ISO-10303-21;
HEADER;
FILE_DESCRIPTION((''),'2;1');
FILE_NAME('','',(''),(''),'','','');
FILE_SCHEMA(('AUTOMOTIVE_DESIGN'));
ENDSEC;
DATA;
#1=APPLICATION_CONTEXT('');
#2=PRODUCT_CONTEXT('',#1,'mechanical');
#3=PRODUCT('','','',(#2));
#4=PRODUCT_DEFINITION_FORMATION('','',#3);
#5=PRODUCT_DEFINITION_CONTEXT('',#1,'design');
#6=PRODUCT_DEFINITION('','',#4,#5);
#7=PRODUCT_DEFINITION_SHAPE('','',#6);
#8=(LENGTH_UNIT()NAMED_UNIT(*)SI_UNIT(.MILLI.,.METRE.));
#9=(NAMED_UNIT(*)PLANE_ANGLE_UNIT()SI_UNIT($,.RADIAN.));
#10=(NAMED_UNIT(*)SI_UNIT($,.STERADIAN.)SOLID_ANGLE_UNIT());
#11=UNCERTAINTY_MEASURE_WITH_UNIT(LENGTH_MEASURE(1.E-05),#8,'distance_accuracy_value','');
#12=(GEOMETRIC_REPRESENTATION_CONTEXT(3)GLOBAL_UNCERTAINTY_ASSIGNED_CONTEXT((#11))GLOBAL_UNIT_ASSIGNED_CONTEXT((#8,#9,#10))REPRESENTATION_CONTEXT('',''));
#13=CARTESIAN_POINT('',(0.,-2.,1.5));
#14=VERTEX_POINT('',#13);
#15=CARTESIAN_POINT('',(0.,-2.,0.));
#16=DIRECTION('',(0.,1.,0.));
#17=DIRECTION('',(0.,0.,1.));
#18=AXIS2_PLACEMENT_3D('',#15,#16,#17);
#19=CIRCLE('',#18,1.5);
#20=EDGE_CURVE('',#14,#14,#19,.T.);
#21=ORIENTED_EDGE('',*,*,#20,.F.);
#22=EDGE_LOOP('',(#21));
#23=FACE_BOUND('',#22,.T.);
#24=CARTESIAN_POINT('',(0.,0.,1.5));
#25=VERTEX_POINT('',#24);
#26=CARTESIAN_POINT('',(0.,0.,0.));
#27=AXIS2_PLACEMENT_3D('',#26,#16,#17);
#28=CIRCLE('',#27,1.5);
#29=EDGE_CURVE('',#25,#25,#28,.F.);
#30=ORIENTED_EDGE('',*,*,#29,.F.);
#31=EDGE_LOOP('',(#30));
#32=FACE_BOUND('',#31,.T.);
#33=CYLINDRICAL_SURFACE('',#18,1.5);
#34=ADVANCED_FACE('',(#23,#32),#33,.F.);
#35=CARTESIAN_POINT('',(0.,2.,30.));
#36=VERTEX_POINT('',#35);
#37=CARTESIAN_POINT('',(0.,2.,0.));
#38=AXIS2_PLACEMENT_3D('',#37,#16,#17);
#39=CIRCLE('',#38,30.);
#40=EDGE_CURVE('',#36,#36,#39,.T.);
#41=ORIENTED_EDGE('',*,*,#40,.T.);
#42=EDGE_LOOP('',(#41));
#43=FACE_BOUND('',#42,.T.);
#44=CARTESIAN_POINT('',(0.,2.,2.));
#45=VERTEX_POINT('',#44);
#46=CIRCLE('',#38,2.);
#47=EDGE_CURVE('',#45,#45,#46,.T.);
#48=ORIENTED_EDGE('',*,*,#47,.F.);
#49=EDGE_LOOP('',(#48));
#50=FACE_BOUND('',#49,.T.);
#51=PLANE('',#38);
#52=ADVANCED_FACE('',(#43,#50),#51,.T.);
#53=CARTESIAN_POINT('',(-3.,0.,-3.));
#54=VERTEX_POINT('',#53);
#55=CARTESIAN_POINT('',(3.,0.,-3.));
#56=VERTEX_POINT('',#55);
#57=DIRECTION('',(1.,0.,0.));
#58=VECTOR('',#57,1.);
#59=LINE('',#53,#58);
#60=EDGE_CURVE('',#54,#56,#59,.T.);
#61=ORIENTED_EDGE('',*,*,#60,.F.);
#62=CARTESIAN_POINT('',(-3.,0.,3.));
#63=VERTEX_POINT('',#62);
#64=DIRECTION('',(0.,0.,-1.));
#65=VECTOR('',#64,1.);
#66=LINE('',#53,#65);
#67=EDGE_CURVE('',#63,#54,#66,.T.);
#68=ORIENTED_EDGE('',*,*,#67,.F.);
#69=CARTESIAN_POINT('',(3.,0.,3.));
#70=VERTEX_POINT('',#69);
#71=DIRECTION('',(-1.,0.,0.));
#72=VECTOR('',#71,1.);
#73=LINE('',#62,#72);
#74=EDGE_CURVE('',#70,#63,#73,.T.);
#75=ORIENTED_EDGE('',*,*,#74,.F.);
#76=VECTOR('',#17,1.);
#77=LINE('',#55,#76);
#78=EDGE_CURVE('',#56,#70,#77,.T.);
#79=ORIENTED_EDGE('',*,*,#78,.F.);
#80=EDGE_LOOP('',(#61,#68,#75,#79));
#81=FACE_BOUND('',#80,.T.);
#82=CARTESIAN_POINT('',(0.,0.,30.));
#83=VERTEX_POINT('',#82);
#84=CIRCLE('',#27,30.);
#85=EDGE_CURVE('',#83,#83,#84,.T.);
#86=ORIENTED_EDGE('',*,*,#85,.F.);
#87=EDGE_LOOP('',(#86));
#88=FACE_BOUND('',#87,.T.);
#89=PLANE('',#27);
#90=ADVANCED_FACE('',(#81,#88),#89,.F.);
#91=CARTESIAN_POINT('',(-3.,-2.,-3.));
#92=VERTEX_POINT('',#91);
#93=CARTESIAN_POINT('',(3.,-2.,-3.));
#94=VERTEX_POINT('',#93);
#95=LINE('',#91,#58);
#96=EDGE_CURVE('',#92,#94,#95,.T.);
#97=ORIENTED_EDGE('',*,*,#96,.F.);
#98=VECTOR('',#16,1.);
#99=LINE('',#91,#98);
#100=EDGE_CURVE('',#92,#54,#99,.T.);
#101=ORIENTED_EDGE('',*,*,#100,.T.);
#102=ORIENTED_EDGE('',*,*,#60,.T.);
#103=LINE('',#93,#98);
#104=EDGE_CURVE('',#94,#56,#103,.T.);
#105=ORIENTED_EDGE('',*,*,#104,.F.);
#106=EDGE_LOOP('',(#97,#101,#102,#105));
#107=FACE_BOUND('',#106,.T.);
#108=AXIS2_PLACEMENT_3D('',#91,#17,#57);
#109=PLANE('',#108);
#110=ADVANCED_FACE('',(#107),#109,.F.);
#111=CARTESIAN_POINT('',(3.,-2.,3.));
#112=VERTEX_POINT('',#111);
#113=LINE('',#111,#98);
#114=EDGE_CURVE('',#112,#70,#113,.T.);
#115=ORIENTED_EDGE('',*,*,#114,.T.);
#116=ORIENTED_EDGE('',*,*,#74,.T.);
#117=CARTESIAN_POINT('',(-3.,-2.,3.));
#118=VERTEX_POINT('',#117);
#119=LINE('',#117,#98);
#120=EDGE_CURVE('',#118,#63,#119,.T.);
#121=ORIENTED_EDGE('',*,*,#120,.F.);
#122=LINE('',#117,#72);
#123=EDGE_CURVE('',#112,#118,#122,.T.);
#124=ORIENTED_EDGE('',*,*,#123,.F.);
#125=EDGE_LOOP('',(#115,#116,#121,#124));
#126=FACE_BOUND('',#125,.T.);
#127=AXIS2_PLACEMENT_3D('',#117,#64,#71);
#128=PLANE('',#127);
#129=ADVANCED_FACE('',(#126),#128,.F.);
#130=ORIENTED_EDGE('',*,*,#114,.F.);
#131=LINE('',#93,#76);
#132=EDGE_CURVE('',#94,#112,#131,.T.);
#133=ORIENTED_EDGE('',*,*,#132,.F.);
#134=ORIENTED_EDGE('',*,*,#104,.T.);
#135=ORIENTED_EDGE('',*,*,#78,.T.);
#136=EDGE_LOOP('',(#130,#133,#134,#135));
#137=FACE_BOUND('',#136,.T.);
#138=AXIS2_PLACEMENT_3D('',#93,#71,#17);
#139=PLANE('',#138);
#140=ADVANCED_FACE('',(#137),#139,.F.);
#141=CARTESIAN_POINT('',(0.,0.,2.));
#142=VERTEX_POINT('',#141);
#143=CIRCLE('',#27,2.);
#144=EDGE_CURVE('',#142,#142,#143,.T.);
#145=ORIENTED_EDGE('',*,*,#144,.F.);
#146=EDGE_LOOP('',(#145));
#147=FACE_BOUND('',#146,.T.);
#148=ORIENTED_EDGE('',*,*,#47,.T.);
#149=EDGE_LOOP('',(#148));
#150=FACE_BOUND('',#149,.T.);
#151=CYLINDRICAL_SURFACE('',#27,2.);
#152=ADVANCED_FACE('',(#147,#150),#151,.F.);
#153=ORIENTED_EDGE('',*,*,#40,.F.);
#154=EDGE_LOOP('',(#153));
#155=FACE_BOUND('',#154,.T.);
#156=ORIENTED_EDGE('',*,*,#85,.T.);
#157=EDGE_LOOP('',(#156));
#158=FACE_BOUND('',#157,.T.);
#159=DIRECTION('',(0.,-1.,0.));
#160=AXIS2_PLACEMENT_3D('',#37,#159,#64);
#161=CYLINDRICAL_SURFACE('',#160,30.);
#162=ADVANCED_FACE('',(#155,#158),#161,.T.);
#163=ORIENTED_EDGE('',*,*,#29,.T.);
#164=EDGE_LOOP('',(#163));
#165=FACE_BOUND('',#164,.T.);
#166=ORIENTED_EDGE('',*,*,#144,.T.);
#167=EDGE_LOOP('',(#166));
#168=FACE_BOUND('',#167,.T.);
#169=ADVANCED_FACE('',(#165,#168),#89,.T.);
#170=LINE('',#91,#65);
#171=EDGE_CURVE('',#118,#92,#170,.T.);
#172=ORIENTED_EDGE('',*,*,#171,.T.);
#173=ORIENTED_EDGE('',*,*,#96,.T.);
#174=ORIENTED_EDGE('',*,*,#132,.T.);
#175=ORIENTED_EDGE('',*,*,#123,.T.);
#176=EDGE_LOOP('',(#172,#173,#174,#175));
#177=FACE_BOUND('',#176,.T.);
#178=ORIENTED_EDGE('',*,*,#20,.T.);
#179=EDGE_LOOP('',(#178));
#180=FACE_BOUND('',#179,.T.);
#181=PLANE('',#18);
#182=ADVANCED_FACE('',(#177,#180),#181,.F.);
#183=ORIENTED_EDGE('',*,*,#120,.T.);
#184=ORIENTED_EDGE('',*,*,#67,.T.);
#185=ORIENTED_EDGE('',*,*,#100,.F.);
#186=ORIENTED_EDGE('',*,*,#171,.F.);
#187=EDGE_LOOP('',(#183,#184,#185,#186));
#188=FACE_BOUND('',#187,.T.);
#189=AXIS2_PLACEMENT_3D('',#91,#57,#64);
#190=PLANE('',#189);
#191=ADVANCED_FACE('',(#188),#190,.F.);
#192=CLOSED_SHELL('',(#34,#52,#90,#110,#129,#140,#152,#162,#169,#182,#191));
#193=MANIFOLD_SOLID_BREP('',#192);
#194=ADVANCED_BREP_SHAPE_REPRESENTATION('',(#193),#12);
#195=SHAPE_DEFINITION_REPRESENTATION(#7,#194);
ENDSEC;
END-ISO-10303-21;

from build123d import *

# Parameters (mm, degrees)
SKETCH_1_R               = 30
EXTRUDE_1_DEPTH          = 2
SKETCH_2_W               = 6
SKETCH_2_H               = 6
EXTRUDE_2_DEPTH          = 2
CUT_EXTRUDE_1_DEPTH      = 43.473521163
CUT_EXTRUDE_1_DEPTH_BACK = 43.473521163
SKETCH_1_10_R            = 1.5
CUT_EXTRUDE_START        = 2
SKETCH_1_11_R            = 2
CUT_EXTRUDE_2_DEPTH      = 2


with BuildPart() as part:
    # 草图1 → 凸台-拉伸1 (new body)
    with BuildSketch(Plane(origin=(0, 0, 0), x_dir=(1, 0, 0), z_dir=(0, 1, 0))):
        with Locations(Location((0, 0, 0), (0, 0, 270))):
            Circle(SKETCH_1_R)
    extrude(amount=EXTRUDE_1_DEPTH)

    # 草图2 → 凸台-拉伸2 (add)
    with BuildSketch(Plane.XZ):
        Rectangle(SKETCH_2_W, SKETCH_2_H)
    extrude(amount=EXTRUDE_2_DEPTH)

    # 草图1<10> → 切除-拉伸1 (cut, two sides: drawn at the far end of the back side and taken through both)
    with BuildSketch(Plane(origin=(0, 0, 0), x_dir=(1, 0, 0), z_dir=(0, 1, 0)).offset(-CUT_EXTRUDE_1_DEPTH_BACK)):
        with Locations(Location((0, 0, 0), (0, 0, 270))):
            Circle(SKETCH_1_10_R)
    extrude(amount=CUT_EXTRUDE_1_DEPTH + CUT_EXTRUDE_1_DEPTH_BACK, mode=Mode.SUBTRACT)

    # 草图1<11> → 切除-拉伸2 (cut)
    with BuildSketch(Plane(origin=(0, 0, 0), x_dir=(1, 0, 0), z_dir=(0, 1, 0)).offset(CUT_EXTRUDE_START)):
        with Locations(Location((0, 0, 0), (0, 0, 270))):
            Circle(SKETCH_1_11_R)
    extrude(amount=-CUT_EXTRUDE_2_DEPTH, mode=Mode.SUBTRACT)


solid = part.part
